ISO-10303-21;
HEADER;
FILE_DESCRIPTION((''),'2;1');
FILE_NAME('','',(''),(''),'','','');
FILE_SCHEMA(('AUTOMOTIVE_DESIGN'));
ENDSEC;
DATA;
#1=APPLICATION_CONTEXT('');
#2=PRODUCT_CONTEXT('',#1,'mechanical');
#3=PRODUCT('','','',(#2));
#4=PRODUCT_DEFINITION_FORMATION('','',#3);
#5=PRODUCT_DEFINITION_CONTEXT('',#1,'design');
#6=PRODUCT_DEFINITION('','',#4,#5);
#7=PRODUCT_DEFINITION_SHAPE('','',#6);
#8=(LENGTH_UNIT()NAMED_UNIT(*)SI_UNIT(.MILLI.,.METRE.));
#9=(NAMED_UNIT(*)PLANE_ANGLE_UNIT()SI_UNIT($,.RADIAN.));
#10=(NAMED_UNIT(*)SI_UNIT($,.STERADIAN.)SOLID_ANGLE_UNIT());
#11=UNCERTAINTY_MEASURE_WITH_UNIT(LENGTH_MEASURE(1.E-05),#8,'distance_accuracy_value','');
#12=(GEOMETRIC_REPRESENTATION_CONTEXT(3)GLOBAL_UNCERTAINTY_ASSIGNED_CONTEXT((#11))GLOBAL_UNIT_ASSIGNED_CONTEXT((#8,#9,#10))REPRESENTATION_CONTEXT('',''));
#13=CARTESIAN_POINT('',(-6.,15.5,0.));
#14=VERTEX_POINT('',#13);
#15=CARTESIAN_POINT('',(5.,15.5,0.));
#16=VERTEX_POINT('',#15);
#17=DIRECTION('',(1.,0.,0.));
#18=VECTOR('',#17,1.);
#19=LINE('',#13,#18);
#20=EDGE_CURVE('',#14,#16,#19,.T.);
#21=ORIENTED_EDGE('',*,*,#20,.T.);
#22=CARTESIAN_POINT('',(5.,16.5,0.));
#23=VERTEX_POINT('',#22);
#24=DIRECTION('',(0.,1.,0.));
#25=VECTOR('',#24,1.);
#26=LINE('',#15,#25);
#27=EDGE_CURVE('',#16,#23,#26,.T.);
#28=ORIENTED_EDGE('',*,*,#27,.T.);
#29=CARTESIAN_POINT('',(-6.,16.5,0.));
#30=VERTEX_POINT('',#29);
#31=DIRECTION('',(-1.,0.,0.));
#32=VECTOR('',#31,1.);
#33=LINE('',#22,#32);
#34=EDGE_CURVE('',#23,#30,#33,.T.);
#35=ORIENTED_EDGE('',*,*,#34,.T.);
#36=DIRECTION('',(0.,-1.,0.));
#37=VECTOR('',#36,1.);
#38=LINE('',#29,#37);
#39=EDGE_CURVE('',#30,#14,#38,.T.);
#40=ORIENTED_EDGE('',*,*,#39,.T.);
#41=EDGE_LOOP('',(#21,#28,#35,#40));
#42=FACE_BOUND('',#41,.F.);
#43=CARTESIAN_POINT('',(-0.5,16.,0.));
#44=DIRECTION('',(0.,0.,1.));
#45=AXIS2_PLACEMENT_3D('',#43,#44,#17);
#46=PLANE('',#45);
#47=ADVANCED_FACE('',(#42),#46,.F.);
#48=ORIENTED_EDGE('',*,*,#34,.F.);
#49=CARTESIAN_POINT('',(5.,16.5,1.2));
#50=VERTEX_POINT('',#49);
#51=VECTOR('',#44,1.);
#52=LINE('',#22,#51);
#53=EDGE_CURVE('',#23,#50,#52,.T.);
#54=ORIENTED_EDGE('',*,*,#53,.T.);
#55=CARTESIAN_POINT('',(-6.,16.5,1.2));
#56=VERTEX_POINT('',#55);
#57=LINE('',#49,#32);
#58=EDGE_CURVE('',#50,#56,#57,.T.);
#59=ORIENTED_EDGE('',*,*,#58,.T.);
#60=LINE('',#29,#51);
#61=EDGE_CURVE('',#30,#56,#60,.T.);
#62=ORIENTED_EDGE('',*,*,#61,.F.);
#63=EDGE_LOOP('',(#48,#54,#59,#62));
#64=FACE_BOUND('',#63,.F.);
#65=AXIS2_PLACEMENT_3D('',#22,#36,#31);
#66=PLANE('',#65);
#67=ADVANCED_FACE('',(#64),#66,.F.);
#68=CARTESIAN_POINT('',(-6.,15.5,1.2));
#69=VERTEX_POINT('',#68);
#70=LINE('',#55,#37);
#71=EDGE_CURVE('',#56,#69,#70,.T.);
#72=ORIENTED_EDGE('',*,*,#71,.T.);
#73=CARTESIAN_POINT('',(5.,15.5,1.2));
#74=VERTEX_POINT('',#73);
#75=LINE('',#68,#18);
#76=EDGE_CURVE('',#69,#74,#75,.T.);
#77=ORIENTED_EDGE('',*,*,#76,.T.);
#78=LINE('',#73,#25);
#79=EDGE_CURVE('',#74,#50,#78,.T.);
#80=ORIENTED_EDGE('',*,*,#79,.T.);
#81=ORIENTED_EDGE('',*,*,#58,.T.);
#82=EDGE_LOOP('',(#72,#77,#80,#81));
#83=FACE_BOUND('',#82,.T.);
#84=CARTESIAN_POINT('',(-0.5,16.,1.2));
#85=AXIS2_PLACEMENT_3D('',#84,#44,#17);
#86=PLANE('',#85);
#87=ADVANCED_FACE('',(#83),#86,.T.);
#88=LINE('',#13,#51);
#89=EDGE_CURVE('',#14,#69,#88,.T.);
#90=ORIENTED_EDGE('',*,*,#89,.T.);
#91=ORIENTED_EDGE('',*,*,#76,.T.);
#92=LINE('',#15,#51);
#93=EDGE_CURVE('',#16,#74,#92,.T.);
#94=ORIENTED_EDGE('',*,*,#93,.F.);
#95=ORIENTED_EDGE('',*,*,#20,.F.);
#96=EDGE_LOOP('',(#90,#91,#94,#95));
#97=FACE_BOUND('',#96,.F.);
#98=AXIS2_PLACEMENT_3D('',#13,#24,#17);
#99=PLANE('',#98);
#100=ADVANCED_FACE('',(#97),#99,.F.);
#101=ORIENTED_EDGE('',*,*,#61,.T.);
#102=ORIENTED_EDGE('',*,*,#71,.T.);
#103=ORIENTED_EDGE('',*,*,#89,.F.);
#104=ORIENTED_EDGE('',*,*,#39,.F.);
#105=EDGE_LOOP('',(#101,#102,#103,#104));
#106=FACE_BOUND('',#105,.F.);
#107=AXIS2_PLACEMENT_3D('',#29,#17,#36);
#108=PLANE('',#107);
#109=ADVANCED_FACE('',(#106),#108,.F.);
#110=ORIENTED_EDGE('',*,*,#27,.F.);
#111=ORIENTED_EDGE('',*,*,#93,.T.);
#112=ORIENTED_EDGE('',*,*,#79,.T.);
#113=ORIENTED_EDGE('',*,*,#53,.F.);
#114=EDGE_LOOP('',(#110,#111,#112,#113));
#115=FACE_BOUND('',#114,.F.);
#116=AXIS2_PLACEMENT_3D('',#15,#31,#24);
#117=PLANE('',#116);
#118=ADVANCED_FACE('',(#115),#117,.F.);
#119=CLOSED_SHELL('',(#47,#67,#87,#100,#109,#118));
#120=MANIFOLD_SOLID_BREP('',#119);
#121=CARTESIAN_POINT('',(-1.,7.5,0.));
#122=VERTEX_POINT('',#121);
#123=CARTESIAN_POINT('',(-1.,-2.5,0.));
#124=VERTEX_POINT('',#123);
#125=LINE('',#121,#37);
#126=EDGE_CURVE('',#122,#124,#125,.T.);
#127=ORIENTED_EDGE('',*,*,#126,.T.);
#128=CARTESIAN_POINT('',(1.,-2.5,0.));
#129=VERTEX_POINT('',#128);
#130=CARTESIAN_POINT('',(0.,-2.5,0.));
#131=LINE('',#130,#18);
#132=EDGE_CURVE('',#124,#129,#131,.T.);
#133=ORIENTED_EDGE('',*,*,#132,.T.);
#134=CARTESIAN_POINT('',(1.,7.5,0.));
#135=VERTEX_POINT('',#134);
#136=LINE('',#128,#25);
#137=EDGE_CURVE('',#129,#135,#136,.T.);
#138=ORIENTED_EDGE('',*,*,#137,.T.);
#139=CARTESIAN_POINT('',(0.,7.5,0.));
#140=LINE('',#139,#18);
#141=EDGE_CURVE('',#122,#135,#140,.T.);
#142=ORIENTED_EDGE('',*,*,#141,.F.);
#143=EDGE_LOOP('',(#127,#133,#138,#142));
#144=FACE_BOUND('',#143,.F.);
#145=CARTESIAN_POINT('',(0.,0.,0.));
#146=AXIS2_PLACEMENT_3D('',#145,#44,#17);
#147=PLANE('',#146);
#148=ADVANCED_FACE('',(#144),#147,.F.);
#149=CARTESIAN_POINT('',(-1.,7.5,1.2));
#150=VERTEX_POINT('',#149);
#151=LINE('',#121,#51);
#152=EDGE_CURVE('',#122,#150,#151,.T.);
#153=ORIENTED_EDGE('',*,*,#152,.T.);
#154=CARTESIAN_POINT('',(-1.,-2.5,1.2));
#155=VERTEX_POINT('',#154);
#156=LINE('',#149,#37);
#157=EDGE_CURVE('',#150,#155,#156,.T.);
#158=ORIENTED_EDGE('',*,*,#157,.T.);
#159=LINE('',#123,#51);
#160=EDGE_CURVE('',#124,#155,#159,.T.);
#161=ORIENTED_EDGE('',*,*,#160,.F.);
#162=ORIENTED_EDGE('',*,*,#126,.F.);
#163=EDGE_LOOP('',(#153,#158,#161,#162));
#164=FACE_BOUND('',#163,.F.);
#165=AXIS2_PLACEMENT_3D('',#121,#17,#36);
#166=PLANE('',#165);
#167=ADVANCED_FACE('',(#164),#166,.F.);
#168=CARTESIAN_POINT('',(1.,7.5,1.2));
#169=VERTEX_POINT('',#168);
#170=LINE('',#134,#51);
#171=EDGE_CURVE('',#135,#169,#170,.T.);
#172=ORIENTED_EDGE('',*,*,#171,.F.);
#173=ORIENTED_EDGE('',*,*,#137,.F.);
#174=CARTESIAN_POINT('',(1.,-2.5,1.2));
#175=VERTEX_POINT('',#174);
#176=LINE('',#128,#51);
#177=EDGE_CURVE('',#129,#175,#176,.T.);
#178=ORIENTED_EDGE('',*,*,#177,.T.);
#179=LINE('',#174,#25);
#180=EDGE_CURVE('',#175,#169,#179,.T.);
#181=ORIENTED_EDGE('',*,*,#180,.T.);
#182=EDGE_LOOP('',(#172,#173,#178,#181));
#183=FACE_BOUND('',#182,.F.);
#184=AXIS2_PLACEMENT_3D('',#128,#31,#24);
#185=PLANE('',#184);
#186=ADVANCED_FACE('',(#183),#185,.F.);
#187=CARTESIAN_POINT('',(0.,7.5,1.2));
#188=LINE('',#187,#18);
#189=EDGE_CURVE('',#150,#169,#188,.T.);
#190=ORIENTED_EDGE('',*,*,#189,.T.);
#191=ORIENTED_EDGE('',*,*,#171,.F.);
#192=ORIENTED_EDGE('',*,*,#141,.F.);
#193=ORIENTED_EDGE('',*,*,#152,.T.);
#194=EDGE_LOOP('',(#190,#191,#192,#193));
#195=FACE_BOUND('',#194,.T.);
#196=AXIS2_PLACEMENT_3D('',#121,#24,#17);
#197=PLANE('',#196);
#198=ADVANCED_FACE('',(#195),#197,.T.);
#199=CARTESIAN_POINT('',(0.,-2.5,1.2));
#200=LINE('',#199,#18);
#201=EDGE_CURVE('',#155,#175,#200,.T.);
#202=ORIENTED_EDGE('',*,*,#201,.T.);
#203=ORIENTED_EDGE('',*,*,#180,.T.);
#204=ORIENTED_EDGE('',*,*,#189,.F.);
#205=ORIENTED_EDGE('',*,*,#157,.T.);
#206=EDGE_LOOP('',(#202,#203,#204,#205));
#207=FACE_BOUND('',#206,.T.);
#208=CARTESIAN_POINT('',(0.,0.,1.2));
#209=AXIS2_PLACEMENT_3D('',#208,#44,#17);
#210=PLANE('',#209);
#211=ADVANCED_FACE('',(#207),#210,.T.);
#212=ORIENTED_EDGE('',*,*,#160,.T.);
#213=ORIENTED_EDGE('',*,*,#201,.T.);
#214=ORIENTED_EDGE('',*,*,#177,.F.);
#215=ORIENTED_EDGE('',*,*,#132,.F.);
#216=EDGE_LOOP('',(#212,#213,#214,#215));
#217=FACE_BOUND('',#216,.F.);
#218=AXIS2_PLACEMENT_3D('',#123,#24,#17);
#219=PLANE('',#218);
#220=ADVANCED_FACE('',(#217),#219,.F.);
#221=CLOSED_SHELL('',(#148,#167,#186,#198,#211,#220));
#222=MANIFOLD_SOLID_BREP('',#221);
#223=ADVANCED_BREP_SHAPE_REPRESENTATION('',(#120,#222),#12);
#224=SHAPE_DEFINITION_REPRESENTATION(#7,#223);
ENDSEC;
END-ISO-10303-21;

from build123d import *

# Parameters (mm, degrees)
F0_W     = 2
F0_H     = 5
F1_DEPTH = 1.2


with BuildPart() as f1:
    # F0 (on Top) → F1 (new body)
    with BuildSketch(Plane.XY):
        Rectangle(F0_W, F0_H)
        Polygon((-6, 15.5), (-1, 15.5), (5, 15.5), (5, 16.5), (-6, 16.5), align=None)
        with Locations((0, 5)):
            Rectangle(F0_W, F0_H)
    extrude(amount=F1_DEPTH)


solid = f1.part
